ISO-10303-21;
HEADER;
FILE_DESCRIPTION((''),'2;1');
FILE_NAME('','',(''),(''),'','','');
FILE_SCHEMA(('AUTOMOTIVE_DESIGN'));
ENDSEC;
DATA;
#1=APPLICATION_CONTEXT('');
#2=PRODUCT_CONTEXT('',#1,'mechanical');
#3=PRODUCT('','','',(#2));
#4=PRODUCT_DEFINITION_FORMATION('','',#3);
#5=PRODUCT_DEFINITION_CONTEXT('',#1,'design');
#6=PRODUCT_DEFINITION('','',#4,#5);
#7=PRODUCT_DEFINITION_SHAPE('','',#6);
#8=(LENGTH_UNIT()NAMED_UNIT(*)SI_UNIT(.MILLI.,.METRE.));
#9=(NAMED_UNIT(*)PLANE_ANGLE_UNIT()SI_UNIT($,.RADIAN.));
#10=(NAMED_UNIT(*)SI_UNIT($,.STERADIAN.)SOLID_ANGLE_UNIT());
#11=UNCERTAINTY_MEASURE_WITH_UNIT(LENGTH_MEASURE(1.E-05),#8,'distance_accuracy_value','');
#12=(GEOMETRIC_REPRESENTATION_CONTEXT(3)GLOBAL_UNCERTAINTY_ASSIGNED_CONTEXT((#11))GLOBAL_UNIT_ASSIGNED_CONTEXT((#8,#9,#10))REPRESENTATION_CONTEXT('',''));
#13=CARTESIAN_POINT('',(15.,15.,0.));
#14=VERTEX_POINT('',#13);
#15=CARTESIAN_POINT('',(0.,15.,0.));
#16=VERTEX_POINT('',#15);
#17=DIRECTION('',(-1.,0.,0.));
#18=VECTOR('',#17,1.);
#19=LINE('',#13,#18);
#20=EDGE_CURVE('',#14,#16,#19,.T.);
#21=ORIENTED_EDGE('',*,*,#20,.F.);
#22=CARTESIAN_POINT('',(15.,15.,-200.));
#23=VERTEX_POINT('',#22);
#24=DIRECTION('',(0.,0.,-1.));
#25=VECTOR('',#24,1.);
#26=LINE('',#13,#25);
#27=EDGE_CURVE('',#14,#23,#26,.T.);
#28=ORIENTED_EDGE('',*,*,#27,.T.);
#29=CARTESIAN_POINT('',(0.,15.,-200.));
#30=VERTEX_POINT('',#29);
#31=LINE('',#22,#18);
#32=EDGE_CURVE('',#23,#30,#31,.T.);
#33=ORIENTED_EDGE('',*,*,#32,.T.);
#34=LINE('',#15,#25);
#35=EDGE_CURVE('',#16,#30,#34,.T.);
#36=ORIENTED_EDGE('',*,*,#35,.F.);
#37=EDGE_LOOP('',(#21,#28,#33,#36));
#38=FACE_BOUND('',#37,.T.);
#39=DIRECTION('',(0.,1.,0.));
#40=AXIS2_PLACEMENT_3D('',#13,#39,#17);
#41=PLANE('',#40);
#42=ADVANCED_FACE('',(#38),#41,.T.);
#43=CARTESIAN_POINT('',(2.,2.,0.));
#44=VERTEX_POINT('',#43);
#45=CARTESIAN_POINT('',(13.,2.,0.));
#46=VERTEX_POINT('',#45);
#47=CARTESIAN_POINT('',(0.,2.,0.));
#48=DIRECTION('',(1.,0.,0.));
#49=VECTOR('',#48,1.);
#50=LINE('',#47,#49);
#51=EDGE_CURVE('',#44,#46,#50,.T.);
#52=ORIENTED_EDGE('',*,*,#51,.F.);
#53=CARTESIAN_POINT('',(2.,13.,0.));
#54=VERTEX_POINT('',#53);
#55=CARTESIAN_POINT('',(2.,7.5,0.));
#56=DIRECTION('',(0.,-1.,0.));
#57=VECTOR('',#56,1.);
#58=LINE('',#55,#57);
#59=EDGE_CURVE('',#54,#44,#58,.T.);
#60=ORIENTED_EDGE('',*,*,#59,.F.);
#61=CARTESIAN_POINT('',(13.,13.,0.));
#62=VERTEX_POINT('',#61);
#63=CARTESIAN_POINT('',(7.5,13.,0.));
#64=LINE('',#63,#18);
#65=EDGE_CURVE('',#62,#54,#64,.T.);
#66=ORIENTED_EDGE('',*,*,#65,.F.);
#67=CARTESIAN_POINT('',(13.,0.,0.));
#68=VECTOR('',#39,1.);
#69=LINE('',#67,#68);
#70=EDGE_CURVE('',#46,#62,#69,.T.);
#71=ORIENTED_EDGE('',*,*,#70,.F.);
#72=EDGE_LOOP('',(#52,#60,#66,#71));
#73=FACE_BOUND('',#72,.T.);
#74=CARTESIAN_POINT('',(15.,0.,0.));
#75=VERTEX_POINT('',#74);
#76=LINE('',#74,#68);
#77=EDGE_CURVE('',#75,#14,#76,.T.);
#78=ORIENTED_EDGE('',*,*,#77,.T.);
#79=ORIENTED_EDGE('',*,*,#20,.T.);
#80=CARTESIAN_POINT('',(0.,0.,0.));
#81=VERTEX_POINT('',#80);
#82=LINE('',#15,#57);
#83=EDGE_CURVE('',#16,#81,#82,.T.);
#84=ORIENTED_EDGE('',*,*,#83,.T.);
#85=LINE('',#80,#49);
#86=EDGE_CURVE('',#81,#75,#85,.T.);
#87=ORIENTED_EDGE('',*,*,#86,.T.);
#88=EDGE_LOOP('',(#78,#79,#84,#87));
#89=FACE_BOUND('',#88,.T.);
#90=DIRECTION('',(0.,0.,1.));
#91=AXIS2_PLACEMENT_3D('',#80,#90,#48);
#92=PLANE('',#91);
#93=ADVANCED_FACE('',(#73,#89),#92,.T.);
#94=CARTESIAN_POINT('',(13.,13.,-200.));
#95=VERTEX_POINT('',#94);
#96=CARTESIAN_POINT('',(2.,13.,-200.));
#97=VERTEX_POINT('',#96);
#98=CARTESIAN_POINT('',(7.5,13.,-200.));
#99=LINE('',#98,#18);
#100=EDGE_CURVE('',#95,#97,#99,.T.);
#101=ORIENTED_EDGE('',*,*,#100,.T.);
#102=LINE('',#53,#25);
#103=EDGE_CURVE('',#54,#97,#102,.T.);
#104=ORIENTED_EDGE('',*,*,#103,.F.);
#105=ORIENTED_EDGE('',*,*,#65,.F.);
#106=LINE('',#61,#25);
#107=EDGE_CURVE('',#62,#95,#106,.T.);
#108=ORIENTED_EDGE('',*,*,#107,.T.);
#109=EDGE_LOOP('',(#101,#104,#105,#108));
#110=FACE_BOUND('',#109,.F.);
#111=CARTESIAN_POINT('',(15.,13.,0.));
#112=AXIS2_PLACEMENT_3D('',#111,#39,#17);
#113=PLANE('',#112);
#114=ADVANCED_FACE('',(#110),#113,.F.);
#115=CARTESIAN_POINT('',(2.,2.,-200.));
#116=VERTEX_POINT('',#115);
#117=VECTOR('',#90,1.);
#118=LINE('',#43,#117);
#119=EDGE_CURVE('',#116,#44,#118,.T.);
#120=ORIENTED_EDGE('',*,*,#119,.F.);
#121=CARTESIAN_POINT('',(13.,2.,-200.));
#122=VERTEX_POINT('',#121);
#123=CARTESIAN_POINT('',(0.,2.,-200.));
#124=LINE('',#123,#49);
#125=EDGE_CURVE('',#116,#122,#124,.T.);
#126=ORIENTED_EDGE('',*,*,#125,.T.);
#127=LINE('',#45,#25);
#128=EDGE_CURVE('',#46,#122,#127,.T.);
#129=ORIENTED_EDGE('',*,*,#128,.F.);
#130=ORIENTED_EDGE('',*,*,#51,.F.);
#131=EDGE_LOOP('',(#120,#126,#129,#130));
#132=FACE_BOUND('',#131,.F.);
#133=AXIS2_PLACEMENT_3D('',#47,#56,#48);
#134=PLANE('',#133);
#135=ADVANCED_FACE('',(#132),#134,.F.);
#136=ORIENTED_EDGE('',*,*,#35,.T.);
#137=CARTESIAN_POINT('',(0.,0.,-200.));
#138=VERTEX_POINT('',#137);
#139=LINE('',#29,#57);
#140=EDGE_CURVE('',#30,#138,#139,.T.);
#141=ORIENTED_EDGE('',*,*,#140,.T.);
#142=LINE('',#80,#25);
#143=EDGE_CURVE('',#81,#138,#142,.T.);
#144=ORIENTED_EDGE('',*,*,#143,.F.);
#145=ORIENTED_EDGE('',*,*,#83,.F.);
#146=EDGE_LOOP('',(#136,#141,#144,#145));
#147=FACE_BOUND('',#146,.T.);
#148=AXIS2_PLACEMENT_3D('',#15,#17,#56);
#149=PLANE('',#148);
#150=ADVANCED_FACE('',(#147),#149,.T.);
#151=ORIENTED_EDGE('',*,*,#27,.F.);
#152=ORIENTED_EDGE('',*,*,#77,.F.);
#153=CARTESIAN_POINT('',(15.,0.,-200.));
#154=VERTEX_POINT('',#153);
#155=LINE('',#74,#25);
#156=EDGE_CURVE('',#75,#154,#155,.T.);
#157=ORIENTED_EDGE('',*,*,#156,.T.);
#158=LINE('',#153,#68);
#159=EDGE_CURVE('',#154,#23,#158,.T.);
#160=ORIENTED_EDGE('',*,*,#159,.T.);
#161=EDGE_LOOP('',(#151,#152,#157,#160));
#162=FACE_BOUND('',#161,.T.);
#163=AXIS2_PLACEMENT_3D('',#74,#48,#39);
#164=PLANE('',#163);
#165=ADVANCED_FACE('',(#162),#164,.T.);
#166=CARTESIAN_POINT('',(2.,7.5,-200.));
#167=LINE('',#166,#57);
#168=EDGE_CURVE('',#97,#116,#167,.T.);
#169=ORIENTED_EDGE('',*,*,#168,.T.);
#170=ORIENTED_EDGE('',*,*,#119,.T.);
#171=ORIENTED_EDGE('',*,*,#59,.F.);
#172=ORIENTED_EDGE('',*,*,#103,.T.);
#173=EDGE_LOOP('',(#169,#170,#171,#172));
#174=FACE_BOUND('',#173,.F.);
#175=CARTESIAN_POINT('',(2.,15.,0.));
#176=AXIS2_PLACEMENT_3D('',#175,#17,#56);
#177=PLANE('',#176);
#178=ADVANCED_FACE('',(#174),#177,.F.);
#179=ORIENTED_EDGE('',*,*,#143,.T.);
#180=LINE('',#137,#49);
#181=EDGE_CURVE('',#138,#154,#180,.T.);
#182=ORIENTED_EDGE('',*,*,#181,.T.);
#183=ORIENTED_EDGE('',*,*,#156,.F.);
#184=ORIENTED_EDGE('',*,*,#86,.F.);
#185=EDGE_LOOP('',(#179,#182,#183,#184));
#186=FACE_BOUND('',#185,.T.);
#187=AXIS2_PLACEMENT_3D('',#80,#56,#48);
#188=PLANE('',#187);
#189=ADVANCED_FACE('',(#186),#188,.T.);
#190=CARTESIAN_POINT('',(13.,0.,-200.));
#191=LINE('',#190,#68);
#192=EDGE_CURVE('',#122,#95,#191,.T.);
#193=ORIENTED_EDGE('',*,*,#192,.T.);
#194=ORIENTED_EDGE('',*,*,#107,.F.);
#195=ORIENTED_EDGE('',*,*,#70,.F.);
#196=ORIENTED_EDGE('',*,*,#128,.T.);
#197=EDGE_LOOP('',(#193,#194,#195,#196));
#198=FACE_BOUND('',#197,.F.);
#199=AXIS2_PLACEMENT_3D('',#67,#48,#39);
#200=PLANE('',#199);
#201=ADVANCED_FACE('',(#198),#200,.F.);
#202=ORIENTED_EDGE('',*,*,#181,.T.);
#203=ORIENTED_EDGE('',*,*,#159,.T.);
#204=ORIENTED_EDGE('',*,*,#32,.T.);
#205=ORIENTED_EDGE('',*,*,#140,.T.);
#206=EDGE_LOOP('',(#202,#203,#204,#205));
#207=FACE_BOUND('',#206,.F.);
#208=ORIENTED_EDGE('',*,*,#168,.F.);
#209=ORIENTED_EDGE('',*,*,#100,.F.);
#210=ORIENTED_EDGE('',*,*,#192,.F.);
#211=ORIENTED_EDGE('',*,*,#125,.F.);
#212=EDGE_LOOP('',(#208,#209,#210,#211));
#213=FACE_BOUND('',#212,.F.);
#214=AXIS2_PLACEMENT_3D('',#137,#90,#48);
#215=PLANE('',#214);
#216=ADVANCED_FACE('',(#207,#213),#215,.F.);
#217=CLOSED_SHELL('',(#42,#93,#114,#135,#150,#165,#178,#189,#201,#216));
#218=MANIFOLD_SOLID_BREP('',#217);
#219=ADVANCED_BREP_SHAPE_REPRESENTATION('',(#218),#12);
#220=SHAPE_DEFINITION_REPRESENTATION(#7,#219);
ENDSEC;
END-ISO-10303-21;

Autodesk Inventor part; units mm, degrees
ref_plane "YZ Plane" through (0, 0, 0) normal (1, 0, 0) x (0, 1, 0)
ref_plane "XZ Plane" through (0, 0, 0) normal (0, 1, 0) x (-1, 0, 0)
ref_plane "XY Plane" through (0, 0, 0) normal (0, 0, 1) x (1, 0, 0)
sketch "Sketch1" plane through (0, 0, 0) normal (0, 0, 1) x (1, 0, 0)
  line L0 (0, 0) -> (15, 0)
  line L1 (15, 0) -> (15, 15)
  line L2 (15, 15) -> (0, 15)
  line L3 (0, 15) -> (0, 0)
  dimension "d0" = 15
  dimension "d1" = 15
extrude "Extrusion1" add sketch "Sketch1" against normal blind 200
shell "Shell1" thickness 2 removed faces 2 at (10, 5, 0) at (10, 5, -200)
properties part number "Alumunium Square Tube 20cm"
